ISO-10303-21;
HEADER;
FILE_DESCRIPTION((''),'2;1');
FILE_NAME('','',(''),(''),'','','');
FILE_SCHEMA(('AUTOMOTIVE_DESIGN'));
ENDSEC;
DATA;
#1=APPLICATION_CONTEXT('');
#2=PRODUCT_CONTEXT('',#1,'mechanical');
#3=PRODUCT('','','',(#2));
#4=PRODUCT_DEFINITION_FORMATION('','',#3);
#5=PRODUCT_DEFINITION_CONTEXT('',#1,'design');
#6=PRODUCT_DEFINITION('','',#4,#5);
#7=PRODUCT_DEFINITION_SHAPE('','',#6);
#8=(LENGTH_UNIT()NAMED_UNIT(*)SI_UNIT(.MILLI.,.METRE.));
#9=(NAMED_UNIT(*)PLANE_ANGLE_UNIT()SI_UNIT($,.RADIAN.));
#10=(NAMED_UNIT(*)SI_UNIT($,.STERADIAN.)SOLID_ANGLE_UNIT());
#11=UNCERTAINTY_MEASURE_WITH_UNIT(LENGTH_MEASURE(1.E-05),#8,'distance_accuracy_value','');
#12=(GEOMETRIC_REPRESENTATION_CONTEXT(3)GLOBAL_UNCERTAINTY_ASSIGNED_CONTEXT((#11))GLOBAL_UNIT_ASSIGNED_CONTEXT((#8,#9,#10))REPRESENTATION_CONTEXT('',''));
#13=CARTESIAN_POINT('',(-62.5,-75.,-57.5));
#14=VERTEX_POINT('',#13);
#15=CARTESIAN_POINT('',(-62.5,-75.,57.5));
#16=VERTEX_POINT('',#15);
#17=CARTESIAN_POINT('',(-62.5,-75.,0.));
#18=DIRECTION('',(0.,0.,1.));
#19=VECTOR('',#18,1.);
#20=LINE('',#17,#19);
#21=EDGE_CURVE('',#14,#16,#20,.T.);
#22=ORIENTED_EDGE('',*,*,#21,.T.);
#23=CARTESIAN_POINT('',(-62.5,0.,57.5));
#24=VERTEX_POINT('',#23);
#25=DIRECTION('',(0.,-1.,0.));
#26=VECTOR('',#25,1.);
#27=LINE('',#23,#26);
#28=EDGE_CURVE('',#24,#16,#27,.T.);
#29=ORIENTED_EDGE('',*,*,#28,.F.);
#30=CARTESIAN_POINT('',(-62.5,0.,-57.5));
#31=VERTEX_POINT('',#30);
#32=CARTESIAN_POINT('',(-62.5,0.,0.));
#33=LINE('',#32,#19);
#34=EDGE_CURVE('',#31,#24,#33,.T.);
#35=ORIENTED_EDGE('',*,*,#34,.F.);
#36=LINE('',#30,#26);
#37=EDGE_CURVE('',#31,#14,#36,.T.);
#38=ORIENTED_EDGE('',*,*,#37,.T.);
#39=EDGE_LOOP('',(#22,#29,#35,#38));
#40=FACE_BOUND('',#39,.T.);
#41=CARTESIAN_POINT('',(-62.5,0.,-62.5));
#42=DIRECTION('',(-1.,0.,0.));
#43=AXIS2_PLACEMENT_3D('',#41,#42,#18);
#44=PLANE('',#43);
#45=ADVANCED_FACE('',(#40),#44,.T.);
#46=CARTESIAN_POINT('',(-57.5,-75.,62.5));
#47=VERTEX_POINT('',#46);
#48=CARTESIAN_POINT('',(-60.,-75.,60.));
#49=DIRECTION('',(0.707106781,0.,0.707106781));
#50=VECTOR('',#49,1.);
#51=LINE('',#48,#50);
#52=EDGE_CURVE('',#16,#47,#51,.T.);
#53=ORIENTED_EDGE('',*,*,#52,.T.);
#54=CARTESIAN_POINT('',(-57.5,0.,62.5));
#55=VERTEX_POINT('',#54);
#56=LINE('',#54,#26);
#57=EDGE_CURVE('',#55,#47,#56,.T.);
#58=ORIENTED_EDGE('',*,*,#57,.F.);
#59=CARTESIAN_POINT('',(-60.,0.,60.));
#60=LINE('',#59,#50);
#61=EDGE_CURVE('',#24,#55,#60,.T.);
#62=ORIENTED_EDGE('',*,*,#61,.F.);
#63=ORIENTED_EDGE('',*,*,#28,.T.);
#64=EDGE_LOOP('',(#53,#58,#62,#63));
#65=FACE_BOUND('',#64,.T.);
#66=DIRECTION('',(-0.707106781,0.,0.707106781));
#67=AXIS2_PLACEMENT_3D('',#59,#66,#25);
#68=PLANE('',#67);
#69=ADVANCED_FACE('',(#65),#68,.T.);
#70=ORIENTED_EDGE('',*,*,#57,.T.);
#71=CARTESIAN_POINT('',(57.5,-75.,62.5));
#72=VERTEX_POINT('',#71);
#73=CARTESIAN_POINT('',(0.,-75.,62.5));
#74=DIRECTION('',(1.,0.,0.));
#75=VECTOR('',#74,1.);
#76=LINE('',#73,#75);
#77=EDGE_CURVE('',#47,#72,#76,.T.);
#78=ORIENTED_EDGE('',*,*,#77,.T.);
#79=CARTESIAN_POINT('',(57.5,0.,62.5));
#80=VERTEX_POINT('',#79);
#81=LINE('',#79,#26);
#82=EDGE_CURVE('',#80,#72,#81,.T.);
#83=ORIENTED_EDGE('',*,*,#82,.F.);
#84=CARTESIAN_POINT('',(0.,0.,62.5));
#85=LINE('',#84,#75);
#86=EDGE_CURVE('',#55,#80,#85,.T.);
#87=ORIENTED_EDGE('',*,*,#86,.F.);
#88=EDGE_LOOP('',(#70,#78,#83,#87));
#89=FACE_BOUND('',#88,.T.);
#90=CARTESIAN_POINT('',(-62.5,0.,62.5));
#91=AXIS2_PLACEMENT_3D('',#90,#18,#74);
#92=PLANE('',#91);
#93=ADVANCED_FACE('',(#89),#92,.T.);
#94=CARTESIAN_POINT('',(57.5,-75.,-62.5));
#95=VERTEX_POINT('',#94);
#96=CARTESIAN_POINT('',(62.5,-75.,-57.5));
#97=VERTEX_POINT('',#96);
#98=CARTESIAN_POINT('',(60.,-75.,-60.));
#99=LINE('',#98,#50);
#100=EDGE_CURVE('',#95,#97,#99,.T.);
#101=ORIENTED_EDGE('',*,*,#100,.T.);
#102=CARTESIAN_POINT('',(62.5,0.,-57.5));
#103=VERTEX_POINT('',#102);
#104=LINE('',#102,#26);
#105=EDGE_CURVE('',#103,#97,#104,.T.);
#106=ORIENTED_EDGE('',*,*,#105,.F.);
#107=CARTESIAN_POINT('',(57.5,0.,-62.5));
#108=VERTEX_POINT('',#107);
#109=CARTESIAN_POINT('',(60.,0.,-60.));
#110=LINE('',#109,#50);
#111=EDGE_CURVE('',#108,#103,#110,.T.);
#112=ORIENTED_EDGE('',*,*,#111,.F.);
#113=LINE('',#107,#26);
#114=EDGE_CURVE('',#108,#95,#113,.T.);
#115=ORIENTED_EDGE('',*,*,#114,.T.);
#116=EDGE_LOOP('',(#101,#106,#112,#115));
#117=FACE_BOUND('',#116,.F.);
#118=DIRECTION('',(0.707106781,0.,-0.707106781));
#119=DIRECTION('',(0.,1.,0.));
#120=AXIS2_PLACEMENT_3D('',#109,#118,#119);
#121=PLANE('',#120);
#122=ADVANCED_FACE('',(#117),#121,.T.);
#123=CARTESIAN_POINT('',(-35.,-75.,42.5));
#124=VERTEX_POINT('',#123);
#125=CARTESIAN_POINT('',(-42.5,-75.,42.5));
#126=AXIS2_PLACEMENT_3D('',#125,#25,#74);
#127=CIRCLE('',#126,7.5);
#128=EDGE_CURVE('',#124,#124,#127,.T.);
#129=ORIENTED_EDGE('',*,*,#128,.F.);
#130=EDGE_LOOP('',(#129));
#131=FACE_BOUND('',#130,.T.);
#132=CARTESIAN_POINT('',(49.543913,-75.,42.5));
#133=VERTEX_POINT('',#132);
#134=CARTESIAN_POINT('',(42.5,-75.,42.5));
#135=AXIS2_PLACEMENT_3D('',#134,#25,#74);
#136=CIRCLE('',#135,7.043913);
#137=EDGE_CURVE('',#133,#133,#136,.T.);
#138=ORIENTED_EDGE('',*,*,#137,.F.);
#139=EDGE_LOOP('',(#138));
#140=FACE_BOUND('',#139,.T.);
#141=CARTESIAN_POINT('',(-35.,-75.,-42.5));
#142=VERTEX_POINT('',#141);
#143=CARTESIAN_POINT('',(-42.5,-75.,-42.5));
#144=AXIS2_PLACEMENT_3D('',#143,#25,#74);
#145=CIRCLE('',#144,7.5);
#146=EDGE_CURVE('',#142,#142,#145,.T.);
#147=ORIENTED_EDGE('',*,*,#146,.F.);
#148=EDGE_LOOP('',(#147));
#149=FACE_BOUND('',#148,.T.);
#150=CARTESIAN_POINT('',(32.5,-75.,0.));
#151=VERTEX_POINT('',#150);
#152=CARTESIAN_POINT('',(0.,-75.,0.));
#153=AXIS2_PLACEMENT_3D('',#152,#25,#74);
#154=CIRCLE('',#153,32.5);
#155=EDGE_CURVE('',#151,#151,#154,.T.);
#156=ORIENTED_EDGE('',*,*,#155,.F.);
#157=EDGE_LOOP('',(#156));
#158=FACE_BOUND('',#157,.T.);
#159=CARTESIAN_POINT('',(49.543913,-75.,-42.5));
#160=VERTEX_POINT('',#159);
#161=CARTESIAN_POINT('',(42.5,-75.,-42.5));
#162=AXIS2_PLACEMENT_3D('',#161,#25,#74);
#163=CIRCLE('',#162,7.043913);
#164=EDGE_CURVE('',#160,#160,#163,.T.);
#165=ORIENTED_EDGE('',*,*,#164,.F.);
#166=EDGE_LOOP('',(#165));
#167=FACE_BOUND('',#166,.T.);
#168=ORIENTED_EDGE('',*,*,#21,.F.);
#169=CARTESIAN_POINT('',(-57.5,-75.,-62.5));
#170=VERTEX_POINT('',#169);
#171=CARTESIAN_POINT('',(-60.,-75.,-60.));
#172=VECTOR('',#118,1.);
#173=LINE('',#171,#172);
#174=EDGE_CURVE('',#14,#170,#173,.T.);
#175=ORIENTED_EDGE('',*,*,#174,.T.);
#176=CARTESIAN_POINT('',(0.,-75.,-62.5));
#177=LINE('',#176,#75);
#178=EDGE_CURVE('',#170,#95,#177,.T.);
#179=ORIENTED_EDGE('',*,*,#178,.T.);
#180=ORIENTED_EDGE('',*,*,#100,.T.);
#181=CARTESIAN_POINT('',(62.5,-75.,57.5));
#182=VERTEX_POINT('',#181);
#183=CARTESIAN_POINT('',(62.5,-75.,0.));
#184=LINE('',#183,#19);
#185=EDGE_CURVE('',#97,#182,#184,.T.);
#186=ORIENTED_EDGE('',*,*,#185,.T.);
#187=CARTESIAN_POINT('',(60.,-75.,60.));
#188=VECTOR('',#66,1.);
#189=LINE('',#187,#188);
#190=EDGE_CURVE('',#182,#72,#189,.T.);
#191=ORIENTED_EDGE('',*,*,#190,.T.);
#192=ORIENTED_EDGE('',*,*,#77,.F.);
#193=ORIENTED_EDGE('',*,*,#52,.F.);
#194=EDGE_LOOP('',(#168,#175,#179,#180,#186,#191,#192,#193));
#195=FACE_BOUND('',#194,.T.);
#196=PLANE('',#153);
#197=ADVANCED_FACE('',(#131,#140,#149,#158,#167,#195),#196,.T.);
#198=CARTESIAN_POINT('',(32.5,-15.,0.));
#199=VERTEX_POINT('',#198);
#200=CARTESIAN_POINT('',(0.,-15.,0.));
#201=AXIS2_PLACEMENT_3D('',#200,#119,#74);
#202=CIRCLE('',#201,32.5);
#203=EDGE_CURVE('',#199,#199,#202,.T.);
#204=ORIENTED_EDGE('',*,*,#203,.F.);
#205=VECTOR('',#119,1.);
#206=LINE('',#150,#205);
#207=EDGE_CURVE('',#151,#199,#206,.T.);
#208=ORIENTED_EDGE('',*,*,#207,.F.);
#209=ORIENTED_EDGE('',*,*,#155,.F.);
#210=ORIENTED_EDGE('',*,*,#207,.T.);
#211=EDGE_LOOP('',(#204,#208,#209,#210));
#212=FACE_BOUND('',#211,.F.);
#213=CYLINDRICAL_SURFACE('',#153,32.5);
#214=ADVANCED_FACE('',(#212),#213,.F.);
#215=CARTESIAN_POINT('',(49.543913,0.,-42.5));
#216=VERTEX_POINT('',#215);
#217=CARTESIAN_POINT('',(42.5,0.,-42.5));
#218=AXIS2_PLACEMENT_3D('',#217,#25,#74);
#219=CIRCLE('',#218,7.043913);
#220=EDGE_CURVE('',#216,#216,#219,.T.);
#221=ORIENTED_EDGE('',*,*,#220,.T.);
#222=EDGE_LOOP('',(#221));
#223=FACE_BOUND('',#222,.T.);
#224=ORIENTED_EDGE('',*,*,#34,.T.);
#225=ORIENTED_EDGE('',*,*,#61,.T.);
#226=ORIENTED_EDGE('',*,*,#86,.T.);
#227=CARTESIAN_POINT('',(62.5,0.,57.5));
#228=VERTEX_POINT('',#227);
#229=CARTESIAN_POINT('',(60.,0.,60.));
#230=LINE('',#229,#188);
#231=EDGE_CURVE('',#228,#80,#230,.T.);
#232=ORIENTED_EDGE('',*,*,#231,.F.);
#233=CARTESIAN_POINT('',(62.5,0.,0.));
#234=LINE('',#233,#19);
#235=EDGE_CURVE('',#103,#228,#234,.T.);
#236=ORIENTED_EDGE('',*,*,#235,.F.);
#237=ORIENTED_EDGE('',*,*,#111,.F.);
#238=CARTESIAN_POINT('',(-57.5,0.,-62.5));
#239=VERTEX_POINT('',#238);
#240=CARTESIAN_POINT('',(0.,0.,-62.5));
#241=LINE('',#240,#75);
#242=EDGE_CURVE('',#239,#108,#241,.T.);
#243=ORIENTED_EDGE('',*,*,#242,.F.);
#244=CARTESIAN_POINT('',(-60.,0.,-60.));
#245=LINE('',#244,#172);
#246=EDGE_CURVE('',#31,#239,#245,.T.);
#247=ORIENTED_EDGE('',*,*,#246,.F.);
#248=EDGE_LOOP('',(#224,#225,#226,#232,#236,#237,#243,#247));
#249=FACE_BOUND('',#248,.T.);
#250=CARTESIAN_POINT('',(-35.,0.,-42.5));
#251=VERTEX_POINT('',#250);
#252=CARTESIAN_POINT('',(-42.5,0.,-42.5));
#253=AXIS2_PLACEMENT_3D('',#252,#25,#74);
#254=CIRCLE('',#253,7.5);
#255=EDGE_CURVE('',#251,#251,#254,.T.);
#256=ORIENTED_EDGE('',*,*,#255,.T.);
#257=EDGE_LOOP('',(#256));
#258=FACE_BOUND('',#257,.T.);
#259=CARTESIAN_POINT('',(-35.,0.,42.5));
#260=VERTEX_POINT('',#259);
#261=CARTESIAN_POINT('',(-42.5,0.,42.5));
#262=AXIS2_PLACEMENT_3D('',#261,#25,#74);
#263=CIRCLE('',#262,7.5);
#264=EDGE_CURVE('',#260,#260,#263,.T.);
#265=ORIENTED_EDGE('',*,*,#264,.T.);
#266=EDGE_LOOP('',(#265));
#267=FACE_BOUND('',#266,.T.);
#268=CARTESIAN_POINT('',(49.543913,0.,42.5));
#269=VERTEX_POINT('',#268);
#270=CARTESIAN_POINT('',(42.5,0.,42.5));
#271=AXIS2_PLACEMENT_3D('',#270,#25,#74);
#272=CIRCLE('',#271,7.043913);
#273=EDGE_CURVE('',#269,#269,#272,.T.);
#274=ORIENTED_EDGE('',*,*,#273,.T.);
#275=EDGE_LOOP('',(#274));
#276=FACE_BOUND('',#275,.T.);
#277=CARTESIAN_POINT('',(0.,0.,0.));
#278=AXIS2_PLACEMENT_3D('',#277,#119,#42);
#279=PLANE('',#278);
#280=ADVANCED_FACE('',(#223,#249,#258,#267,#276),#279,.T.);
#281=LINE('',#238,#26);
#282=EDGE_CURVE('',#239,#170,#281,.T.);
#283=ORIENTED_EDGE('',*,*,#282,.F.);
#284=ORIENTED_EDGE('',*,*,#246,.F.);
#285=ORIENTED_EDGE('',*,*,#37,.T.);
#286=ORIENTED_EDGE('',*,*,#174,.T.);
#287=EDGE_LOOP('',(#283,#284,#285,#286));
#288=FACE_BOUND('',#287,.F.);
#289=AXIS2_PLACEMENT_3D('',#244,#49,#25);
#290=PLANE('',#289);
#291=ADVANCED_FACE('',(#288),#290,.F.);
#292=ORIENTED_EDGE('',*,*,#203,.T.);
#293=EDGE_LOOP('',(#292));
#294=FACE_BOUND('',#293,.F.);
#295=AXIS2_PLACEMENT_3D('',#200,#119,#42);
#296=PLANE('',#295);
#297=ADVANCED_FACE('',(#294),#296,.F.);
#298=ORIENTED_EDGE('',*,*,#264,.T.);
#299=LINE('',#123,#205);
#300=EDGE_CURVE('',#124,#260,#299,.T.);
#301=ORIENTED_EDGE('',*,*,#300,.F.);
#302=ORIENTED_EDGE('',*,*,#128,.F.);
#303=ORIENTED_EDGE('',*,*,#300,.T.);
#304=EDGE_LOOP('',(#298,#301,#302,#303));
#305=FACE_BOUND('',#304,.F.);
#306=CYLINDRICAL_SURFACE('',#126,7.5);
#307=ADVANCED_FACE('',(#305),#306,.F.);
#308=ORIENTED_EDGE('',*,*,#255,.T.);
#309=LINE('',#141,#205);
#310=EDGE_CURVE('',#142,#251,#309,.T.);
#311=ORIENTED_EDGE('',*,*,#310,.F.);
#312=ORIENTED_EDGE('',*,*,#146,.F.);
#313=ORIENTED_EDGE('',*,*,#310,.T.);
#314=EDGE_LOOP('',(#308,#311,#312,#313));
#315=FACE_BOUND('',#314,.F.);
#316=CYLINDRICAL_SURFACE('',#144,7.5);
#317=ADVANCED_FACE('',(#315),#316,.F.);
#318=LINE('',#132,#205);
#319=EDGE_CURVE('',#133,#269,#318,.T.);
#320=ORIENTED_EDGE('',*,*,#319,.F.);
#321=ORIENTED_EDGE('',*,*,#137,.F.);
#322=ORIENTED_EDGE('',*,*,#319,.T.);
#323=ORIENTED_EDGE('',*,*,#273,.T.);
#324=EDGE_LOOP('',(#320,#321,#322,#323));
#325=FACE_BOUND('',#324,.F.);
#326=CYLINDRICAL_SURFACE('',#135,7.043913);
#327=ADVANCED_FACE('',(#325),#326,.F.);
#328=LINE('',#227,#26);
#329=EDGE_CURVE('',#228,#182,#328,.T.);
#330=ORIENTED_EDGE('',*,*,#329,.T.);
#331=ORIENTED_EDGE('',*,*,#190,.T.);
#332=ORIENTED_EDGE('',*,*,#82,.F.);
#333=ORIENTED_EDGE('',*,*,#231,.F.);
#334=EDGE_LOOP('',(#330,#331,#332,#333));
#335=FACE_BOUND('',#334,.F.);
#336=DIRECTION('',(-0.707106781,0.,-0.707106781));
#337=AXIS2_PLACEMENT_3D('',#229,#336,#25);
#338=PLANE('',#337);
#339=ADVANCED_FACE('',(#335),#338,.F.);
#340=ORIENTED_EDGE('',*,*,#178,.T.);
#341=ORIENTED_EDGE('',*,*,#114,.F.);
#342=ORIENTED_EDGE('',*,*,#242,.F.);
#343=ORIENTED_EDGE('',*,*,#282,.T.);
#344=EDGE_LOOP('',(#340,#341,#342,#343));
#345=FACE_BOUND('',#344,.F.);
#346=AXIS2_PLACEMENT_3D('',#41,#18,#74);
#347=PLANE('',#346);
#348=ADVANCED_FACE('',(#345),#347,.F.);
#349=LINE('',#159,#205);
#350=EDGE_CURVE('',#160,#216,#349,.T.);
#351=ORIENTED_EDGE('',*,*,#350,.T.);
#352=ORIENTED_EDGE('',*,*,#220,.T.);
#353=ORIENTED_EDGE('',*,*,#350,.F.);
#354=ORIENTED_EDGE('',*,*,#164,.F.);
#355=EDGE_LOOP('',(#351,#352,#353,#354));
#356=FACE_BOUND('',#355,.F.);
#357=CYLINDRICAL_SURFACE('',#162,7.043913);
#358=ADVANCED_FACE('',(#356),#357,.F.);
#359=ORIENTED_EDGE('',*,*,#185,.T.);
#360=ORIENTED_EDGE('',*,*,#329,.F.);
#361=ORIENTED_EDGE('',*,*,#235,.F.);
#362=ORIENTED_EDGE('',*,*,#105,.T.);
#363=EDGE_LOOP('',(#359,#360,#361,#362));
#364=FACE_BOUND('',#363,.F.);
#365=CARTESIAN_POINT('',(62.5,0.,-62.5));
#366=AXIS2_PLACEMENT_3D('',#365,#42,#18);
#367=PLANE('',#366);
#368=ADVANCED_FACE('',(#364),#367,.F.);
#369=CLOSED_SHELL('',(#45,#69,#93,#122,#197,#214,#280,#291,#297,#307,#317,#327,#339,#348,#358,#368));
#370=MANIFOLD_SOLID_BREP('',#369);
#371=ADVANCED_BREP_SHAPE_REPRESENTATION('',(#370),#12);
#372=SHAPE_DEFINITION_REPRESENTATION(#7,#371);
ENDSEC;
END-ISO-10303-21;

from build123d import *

# Parameters (mm, degrees)
F0_W     = 125
F0_H     = 125
F1_DEPTH = 75
F2_SIZE  = 5
F3_R     = 7.5
F3_R_2   = 7.043913
F4_DEPTH = 75.001
F5_R     = 32.5
F6_DEPTH = 75.001
F7_R     = 32.5
F8_DEPTH = 15


with BuildPart() as f1:
    # F0 (on Front) → F1 (new body)
    with BuildSketch(Plane.XZ):
        Rectangle(F0_W, F0_H)
    extrude(amount=F1_DEPTH)

    # F2
    f2_edges = [f1.edges().sort_by_distance(p)[0] for p in [
        (62.5, -37.5, 62.5),
        (-62.5, -37.5, 62.5),
        (62.5, -37.5, -62.5),
        (-62.5, -37.5, -62.5),
    ]]
    chamfer(f2_edges, length=F2_SIZE)

    # F3 (on face) → F4 (cut, through all)
    with BuildSketch(Plane.XZ.offset(75)):
        with Locations((-42.5, 42.5)):
            Circle(F3_R)
        with Locations((-42.5, -42.5)):
            Circle(F3_R)
        with Locations((42.5, -42.5)):
            Circle(F3_R_2)
        with Locations((42.5, 42.5)):
            Circle(F3_R_2)
    extrude(amount=-F4_DEPTH, mode=Mode.SUBTRACT)

    # F5 (on face) → F6 (cut, through all)
    with BuildSketch(Plane.XZ.offset(75)):
        Circle(F5_R)
    extrude(amount=-F6_DEPTH, mode=Mode.SUBTRACT)

    # F7 (on face) → F8 (join)
    with BuildSketch(Plane(origin=(0, 0, 0), x_dir=(-1, 0, 0), z_dir=(0, 1, 0))):
        Circle(F7_R)
    extrude(amount=-F8_DEPTH)


solid = f1.part
